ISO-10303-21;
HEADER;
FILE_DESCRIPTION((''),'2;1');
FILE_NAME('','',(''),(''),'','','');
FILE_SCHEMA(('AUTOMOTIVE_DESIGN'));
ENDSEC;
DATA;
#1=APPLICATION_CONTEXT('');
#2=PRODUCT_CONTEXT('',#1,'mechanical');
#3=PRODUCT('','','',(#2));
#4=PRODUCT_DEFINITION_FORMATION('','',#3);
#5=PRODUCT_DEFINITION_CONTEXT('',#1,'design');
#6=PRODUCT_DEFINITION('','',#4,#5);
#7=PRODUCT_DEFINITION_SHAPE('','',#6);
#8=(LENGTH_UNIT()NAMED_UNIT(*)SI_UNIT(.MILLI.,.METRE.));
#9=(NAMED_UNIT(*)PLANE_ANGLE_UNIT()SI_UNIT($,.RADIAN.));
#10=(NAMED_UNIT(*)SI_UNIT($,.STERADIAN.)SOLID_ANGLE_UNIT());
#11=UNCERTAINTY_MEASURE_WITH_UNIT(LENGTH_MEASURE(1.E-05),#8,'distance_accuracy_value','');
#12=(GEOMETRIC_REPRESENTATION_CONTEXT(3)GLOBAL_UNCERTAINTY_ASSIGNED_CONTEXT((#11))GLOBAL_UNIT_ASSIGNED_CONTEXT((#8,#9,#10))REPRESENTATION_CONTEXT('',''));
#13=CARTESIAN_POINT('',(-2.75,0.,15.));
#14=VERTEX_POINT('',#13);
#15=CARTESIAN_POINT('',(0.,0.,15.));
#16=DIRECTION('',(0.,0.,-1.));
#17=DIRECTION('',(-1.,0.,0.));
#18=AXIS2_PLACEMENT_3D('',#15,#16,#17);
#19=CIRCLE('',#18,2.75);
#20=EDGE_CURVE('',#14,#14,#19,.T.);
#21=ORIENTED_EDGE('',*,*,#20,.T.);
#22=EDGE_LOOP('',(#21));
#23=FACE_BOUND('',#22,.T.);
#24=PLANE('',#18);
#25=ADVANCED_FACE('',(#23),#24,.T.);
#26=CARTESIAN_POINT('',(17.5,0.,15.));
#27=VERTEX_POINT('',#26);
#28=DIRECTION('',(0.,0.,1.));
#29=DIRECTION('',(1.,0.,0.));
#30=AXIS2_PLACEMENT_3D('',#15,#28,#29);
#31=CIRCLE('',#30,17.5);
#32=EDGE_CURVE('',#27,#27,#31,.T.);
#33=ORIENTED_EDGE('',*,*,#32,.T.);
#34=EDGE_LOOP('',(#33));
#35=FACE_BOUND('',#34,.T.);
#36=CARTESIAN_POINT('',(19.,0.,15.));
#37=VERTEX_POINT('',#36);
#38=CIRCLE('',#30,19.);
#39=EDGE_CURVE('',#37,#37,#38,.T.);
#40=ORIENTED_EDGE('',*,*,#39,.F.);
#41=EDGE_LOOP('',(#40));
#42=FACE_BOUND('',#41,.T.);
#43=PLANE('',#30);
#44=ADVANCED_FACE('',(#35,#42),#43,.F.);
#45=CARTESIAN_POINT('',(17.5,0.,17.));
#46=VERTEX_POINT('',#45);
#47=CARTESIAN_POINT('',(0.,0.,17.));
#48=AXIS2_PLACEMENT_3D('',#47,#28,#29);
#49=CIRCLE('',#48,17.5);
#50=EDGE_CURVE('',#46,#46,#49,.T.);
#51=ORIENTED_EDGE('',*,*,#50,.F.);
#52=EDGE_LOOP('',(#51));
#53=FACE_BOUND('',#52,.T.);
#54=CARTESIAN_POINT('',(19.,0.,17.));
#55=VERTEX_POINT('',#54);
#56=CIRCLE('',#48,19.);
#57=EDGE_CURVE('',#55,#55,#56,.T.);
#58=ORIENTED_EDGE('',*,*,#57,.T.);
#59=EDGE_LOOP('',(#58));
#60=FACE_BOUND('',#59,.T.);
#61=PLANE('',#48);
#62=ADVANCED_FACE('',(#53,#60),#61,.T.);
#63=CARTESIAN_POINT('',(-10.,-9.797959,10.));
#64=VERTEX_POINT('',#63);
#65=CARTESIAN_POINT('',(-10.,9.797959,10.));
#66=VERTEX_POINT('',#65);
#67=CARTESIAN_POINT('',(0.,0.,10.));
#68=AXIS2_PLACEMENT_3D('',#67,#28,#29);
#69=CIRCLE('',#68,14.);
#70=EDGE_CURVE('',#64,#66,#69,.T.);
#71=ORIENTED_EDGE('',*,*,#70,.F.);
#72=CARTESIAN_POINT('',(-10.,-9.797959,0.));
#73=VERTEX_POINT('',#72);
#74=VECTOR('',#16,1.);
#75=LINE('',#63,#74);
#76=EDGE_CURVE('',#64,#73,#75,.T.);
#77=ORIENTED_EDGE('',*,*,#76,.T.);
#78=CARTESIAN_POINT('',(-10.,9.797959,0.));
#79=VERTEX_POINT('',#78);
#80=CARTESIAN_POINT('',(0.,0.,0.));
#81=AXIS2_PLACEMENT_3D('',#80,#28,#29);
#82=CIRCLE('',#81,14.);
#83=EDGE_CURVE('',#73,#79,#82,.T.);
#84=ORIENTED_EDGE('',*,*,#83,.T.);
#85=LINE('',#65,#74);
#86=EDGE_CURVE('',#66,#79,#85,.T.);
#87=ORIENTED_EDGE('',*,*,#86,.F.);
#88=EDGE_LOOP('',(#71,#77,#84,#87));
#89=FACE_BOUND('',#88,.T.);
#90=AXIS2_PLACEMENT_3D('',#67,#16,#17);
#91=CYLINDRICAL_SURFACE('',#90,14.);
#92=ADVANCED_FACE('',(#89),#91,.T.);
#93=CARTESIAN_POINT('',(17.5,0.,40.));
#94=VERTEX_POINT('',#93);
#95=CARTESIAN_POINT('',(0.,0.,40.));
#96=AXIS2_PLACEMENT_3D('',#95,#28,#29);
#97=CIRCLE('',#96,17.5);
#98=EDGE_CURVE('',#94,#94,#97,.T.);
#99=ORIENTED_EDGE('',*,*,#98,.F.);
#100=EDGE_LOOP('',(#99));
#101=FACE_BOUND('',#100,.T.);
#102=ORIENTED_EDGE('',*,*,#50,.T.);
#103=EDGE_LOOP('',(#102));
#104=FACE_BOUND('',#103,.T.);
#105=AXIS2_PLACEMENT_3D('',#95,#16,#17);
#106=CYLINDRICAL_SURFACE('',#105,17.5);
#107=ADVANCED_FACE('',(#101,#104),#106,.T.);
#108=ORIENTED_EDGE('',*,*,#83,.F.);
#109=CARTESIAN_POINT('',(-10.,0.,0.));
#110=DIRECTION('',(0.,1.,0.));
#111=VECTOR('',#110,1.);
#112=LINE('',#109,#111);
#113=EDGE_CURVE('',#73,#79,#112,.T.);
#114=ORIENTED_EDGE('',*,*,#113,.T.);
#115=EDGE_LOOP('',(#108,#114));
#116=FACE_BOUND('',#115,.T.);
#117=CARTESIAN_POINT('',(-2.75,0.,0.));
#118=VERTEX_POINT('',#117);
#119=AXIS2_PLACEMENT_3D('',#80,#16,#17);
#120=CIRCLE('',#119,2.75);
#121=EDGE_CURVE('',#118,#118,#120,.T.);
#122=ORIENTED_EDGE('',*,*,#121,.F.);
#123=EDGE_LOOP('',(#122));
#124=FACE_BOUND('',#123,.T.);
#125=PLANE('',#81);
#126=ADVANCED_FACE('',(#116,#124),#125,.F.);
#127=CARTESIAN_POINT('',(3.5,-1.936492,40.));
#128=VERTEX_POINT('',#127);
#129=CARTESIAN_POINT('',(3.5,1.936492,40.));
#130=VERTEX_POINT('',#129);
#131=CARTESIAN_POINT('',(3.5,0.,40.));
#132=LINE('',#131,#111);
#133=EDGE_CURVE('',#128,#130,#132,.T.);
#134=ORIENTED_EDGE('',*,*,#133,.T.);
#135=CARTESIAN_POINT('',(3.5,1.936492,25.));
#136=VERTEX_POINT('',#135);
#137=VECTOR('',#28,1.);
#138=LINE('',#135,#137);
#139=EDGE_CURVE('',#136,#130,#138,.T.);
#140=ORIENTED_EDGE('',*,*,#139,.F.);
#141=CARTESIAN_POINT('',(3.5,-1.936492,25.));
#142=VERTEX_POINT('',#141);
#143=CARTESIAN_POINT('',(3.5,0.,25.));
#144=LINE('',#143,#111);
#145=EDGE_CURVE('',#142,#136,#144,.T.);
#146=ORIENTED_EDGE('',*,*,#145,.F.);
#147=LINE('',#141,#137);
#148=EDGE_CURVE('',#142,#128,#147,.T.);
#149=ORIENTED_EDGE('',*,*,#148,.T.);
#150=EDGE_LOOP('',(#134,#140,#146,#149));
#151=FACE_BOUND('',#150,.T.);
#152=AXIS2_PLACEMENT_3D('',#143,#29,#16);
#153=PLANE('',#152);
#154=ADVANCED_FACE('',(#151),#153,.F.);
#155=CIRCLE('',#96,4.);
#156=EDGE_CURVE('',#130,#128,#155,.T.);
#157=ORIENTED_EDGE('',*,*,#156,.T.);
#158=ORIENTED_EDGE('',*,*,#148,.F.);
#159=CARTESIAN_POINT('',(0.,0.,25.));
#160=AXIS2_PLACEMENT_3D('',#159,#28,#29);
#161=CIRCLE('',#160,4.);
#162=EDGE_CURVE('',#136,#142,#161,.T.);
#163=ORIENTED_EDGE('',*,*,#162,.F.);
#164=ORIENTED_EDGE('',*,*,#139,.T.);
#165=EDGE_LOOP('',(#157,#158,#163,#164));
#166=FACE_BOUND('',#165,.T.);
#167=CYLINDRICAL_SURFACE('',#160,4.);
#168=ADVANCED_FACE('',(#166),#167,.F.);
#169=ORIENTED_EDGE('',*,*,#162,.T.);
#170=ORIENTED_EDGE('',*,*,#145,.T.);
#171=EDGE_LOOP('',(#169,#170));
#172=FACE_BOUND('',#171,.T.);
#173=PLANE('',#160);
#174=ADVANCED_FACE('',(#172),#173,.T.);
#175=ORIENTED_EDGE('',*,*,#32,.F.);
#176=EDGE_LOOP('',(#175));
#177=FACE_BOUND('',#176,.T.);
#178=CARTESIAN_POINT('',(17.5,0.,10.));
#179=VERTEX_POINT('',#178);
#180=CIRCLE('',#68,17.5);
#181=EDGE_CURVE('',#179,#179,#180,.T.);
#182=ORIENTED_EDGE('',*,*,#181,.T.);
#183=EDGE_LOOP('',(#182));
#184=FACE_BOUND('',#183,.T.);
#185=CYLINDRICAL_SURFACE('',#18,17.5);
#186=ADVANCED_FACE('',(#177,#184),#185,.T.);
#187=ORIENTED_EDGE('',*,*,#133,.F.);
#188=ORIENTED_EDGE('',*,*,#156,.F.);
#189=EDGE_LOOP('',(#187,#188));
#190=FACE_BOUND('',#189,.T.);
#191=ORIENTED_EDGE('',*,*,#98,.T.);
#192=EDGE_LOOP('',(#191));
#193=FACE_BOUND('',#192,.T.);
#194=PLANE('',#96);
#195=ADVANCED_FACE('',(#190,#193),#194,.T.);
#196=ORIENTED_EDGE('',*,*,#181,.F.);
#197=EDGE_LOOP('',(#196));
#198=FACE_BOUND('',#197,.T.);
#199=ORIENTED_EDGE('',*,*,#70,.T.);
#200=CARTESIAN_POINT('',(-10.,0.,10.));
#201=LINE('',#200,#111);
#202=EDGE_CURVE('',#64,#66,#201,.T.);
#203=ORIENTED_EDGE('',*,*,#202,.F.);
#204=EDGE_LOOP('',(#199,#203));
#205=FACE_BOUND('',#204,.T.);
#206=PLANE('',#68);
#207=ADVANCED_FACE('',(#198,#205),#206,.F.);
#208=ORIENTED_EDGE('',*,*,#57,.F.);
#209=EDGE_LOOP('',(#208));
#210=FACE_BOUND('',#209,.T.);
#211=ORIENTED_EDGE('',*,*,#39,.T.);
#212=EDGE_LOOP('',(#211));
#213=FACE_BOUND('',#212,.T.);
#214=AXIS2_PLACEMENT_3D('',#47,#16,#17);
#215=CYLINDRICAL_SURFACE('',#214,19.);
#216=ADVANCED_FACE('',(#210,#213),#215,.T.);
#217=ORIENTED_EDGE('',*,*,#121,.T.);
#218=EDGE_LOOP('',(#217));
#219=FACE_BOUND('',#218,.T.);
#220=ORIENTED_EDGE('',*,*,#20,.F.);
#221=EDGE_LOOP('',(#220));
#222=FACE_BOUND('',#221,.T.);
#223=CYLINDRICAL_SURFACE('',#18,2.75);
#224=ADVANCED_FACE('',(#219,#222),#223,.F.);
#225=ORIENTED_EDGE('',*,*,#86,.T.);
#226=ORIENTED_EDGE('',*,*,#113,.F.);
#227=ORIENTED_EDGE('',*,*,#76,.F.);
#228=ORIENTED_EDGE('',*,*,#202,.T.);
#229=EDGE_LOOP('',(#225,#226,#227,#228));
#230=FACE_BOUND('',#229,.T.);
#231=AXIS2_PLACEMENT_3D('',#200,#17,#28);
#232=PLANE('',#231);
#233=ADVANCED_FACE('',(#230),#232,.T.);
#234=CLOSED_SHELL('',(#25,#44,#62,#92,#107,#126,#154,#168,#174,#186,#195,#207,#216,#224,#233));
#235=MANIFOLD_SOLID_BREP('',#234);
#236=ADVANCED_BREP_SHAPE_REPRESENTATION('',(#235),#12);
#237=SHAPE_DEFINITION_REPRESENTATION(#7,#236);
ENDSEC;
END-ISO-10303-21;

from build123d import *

# Parameters (mm, degrees)
SKETCH1_R           = 14
BOSS_EXTRUDE2_DEPTH = 10
SKETCH2_R           = 17.5
BOSS_EXTRUDE3_DEPTH = 5
SKETCH3_R           = 19
BOSS_EXTRUDE4_DEPTH = 2
SKETCH4_R           = 17.5
BOSS_EXTRUDE5_DEPTH = 23
CUT_EXTRUDE1_DEPTH  = 10
SKETCH10_R          = 2.75
CUT_EXTRUDE2_DEPTH  = 15
CUT_EXTRUDE3_DEPTH  = 15


with BuildPart() as part:
    # Sketch1 → Boss-Extrude2 (new body)
    with BuildSketch(Plane.XY):
        Circle(SKETCH1_R)
    extrude(amount=BOSS_EXTRUDE2_DEPTH)

    # Sketch2 → Boss-Extrude3 (add)
    with BuildSketch(Plane.XY.offset(10)):
        Circle(SKETCH2_R)
    extrude(amount=BOSS_EXTRUDE3_DEPTH)

    # Sketch3 → Boss-Extrude4 (add)
    with BuildSketch(Plane.XY.offset(15)):
        Circle(SKETCH3_R)
    extrude(amount=BOSS_EXTRUDE4_DEPTH)

    # Sketch4 → Boss-Extrude5 (add)
    with BuildSketch(Plane.XY.offset(17)):
        Circle(SKETCH4_R)
    extrude(amount=BOSS_EXTRUDE5_DEPTH)

    # Sketch5 → Cut-Extrude1 (cut)
    with BuildSketch(Plane(origin=(0, 0, 0), x_dir=(-1, 0, 0), z_dir=(0, 0, -1))):
        with BuildLine():
            Line((10, 0), (10, -9.797958971))
            ThreePointArc((10, -9.797958971), (14, 0), (10, 9.797958971))
            Line((10, 9.797958971), (10, 0))
        make_face()
    extrude(amount=-CUT_EXTRUDE1_DEPTH, mode=Mode.SUBTRACT)

    # Sketch10 → Cut-Extrude2 (cut)
    with BuildSketch(Plane(origin=(0, 0, 0), x_dir=(-1, 0, 0), z_dir=(0, 0, -1))):
        Circle(SKETCH10_R)
    extrude(amount=-CUT_EXTRUDE2_DEPTH, mode=Mode.SUBTRACT)

    # Sketch12 → Cut-Extrude3 (cut)
    with BuildSketch(Plane.XY.offset(40)):
        with BuildLine():
            Line((3.5, 0), (3.5, -1.936491673))
            ThreePointArc((3.5, -1.936491673), (-4, 0), (3.5, 1.936491673))
            Line((3.5, 1.936491673), (3.5, 0))
        make_face()
    extrude(amount=-CUT_EXTRUDE3_DEPTH, mode=Mode.SUBTRACT)


solid = part.part
